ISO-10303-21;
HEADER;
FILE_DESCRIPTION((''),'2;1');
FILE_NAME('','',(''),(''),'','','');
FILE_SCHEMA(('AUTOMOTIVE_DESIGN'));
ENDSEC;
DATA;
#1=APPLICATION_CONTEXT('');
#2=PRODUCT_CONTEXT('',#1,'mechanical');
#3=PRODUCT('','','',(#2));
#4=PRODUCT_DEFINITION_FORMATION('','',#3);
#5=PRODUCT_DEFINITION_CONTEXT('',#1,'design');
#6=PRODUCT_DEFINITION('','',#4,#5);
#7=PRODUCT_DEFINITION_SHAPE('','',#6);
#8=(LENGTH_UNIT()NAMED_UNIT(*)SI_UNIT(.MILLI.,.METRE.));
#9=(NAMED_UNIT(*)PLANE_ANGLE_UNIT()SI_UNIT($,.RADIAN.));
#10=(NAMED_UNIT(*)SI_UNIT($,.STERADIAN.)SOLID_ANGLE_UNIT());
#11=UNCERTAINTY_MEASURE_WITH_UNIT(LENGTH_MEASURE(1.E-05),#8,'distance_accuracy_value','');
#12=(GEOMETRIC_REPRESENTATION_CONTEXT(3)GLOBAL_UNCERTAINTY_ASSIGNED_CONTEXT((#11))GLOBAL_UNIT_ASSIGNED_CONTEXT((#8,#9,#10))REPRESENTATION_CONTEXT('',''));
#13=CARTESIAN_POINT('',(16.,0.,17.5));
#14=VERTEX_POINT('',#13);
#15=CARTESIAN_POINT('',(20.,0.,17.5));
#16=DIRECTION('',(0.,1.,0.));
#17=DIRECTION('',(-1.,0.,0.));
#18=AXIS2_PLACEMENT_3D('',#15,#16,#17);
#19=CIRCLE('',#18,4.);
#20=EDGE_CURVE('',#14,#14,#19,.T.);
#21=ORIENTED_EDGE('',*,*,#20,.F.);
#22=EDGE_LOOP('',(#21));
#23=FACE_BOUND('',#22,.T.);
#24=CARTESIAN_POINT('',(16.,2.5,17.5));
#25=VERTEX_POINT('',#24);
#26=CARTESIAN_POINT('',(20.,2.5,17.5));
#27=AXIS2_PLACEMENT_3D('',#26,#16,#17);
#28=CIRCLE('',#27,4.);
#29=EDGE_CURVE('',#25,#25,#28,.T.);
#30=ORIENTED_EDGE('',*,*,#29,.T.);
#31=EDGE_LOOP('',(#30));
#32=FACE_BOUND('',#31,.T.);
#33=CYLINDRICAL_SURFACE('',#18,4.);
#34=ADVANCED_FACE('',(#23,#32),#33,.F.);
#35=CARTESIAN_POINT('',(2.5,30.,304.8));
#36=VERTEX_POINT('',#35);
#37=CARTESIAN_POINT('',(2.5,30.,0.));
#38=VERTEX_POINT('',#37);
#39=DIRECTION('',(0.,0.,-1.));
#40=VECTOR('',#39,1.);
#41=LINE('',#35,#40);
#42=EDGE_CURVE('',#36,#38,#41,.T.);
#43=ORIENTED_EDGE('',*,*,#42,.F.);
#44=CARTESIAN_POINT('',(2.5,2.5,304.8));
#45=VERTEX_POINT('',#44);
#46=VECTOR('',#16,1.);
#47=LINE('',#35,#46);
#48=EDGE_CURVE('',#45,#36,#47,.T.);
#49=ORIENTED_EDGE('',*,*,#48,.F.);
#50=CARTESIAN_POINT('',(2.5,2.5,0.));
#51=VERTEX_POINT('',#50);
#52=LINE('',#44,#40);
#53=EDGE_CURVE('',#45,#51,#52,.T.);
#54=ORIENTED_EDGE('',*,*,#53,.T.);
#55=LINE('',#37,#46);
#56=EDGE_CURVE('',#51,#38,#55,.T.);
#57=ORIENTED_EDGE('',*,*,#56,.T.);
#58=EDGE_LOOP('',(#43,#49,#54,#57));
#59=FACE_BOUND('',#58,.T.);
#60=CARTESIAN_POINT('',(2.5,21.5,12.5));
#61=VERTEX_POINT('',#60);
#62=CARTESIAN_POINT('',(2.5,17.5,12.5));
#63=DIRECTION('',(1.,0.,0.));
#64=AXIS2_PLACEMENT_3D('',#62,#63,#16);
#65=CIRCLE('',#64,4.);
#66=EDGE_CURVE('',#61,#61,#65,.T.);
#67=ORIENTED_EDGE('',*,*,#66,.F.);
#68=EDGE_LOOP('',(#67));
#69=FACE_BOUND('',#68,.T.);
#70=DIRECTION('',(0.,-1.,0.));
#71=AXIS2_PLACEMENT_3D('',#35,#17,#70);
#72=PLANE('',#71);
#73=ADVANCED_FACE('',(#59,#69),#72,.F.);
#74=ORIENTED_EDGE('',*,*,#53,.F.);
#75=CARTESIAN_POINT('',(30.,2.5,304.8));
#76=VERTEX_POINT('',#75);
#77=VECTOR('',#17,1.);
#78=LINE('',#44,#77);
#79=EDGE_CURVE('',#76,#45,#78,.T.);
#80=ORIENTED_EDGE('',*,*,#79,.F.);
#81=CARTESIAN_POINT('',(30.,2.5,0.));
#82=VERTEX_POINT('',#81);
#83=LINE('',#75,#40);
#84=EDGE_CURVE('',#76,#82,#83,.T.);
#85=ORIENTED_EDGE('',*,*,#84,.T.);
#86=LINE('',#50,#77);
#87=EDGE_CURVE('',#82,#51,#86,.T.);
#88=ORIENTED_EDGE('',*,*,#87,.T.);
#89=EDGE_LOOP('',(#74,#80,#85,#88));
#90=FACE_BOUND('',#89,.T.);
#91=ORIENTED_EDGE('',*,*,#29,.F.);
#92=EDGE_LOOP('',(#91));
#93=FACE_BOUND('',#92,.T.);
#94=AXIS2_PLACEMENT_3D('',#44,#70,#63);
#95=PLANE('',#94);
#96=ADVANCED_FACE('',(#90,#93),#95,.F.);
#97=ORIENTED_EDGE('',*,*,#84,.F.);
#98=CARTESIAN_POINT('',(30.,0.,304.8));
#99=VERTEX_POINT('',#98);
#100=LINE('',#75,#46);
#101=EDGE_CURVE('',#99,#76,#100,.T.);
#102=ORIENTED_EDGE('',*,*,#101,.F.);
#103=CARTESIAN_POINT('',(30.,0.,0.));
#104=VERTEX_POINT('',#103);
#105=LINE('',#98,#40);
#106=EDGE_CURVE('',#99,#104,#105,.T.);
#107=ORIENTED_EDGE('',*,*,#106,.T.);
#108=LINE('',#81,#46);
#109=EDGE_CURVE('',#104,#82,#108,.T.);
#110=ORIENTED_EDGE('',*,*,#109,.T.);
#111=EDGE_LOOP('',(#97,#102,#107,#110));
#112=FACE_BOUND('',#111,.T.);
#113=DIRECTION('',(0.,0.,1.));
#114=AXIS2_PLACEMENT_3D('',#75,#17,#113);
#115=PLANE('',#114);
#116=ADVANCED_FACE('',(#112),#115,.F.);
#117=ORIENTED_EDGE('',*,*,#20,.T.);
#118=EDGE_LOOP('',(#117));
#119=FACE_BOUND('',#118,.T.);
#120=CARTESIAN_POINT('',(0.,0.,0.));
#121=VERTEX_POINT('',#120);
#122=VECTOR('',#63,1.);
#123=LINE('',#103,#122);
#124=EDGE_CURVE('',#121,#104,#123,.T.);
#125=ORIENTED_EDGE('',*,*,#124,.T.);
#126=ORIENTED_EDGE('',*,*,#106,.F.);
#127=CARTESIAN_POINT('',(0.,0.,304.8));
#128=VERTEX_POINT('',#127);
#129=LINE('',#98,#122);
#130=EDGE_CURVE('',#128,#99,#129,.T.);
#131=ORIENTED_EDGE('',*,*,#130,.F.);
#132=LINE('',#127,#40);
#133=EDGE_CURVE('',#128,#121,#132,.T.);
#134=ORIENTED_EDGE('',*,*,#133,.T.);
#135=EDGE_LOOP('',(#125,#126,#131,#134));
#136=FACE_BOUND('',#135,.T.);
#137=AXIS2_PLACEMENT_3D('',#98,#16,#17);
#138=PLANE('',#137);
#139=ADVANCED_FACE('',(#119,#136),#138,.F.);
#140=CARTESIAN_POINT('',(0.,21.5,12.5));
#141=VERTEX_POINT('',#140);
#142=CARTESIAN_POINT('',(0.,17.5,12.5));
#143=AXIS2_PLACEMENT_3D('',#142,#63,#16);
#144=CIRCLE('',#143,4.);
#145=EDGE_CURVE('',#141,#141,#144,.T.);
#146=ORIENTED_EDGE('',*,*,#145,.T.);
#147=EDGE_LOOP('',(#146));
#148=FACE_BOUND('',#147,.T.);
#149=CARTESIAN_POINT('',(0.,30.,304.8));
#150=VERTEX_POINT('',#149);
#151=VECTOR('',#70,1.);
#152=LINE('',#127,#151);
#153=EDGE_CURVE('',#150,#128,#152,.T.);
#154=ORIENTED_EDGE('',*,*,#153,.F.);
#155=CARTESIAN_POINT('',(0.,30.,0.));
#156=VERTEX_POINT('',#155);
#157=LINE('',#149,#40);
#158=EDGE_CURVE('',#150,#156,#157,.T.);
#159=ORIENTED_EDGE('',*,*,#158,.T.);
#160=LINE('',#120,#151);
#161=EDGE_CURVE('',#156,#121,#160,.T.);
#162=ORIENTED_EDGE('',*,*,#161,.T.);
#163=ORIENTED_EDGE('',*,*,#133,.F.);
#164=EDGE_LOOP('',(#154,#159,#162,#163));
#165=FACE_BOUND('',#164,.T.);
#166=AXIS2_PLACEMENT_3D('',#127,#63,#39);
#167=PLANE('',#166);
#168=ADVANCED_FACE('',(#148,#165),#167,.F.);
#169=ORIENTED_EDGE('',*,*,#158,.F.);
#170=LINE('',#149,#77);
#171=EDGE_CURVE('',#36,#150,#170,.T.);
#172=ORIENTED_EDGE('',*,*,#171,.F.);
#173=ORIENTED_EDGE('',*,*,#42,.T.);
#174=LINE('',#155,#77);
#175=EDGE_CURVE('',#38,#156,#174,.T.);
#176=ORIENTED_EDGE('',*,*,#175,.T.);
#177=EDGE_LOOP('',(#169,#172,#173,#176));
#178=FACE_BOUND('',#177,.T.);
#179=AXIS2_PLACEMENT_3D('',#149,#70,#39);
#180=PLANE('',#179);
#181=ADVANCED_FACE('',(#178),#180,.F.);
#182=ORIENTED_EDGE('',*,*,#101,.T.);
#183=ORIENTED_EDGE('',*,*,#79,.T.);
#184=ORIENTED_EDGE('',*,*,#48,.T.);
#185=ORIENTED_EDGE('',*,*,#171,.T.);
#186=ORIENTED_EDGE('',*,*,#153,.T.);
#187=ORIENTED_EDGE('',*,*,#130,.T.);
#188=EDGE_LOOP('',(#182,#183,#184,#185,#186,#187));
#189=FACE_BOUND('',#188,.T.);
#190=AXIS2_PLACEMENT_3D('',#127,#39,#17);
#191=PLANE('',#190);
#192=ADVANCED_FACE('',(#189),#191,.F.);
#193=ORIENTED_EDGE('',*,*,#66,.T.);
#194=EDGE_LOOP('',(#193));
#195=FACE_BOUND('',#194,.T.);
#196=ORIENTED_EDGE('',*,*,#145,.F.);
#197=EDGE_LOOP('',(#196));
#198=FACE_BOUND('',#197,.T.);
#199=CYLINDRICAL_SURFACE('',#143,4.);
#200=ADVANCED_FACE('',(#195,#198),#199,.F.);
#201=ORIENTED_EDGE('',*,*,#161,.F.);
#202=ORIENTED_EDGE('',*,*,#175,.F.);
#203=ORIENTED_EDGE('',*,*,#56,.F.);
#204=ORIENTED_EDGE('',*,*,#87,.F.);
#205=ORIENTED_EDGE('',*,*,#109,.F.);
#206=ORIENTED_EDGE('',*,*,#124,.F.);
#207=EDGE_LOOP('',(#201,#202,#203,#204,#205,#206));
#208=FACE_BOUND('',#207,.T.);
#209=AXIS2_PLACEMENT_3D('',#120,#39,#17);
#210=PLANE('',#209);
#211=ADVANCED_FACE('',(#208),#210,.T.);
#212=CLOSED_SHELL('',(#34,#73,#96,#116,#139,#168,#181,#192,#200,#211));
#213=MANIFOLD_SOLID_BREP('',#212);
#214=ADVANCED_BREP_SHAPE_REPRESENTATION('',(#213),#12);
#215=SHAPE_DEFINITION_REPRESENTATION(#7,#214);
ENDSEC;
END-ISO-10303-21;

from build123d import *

# Parameters (mm, degrees)
BOSS_EXTRUDE1_DEPTH = 304.8
SKETCH2_R           = 4
CUT_EXTRUDE1_DEPTH  = 308.50494305
SKETCH3_R           = 4
CUT_EXTRUDE2_DEPTH  = 308.50494305


with BuildPart() as part:
    # Sketch1 → Boss-Extrude1 (new body)
    with BuildSketch(Plane.XY):
        Polygon((0, 0), (0, 30), (2.5, 30), (2.5, 2.5), (30, 2.5), (30, 0), align=None)
    extrude(amount=BOSS_EXTRUDE1_DEPTH)

    # Sketch2 → Cut-Extrude1 (cut, through all)
    with BuildSketch(Plane(origin=(0, 2.5, 0), x_dir=(1, 0, 0), z_dir=(0, 1, 0))):
        with Locations(Location((20, -17.5, 0), (0, 0, 180))):
            Circle(SKETCH2_R)
    extrude(amount=-CUT_EXTRUDE1_DEPTH, mode=Mode.SUBTRACT)

    # Sketch3 → Cut-Extrude2 (cut, through all)
    with BuildSketch(Plane(origin=(2.5, 0, 0), x_dir=(0, 0, -1), z_dir=(1, 0, 0))):
        with Locations(Location((-12.5, 17.5, 0), (0, 0, 90))):
            Circle(SKETCH3_R)
    extrude(amount=-CUT_EXTRUDE2_DEPTH, mode=Mode.SUBTRACT)


solid = part.part
